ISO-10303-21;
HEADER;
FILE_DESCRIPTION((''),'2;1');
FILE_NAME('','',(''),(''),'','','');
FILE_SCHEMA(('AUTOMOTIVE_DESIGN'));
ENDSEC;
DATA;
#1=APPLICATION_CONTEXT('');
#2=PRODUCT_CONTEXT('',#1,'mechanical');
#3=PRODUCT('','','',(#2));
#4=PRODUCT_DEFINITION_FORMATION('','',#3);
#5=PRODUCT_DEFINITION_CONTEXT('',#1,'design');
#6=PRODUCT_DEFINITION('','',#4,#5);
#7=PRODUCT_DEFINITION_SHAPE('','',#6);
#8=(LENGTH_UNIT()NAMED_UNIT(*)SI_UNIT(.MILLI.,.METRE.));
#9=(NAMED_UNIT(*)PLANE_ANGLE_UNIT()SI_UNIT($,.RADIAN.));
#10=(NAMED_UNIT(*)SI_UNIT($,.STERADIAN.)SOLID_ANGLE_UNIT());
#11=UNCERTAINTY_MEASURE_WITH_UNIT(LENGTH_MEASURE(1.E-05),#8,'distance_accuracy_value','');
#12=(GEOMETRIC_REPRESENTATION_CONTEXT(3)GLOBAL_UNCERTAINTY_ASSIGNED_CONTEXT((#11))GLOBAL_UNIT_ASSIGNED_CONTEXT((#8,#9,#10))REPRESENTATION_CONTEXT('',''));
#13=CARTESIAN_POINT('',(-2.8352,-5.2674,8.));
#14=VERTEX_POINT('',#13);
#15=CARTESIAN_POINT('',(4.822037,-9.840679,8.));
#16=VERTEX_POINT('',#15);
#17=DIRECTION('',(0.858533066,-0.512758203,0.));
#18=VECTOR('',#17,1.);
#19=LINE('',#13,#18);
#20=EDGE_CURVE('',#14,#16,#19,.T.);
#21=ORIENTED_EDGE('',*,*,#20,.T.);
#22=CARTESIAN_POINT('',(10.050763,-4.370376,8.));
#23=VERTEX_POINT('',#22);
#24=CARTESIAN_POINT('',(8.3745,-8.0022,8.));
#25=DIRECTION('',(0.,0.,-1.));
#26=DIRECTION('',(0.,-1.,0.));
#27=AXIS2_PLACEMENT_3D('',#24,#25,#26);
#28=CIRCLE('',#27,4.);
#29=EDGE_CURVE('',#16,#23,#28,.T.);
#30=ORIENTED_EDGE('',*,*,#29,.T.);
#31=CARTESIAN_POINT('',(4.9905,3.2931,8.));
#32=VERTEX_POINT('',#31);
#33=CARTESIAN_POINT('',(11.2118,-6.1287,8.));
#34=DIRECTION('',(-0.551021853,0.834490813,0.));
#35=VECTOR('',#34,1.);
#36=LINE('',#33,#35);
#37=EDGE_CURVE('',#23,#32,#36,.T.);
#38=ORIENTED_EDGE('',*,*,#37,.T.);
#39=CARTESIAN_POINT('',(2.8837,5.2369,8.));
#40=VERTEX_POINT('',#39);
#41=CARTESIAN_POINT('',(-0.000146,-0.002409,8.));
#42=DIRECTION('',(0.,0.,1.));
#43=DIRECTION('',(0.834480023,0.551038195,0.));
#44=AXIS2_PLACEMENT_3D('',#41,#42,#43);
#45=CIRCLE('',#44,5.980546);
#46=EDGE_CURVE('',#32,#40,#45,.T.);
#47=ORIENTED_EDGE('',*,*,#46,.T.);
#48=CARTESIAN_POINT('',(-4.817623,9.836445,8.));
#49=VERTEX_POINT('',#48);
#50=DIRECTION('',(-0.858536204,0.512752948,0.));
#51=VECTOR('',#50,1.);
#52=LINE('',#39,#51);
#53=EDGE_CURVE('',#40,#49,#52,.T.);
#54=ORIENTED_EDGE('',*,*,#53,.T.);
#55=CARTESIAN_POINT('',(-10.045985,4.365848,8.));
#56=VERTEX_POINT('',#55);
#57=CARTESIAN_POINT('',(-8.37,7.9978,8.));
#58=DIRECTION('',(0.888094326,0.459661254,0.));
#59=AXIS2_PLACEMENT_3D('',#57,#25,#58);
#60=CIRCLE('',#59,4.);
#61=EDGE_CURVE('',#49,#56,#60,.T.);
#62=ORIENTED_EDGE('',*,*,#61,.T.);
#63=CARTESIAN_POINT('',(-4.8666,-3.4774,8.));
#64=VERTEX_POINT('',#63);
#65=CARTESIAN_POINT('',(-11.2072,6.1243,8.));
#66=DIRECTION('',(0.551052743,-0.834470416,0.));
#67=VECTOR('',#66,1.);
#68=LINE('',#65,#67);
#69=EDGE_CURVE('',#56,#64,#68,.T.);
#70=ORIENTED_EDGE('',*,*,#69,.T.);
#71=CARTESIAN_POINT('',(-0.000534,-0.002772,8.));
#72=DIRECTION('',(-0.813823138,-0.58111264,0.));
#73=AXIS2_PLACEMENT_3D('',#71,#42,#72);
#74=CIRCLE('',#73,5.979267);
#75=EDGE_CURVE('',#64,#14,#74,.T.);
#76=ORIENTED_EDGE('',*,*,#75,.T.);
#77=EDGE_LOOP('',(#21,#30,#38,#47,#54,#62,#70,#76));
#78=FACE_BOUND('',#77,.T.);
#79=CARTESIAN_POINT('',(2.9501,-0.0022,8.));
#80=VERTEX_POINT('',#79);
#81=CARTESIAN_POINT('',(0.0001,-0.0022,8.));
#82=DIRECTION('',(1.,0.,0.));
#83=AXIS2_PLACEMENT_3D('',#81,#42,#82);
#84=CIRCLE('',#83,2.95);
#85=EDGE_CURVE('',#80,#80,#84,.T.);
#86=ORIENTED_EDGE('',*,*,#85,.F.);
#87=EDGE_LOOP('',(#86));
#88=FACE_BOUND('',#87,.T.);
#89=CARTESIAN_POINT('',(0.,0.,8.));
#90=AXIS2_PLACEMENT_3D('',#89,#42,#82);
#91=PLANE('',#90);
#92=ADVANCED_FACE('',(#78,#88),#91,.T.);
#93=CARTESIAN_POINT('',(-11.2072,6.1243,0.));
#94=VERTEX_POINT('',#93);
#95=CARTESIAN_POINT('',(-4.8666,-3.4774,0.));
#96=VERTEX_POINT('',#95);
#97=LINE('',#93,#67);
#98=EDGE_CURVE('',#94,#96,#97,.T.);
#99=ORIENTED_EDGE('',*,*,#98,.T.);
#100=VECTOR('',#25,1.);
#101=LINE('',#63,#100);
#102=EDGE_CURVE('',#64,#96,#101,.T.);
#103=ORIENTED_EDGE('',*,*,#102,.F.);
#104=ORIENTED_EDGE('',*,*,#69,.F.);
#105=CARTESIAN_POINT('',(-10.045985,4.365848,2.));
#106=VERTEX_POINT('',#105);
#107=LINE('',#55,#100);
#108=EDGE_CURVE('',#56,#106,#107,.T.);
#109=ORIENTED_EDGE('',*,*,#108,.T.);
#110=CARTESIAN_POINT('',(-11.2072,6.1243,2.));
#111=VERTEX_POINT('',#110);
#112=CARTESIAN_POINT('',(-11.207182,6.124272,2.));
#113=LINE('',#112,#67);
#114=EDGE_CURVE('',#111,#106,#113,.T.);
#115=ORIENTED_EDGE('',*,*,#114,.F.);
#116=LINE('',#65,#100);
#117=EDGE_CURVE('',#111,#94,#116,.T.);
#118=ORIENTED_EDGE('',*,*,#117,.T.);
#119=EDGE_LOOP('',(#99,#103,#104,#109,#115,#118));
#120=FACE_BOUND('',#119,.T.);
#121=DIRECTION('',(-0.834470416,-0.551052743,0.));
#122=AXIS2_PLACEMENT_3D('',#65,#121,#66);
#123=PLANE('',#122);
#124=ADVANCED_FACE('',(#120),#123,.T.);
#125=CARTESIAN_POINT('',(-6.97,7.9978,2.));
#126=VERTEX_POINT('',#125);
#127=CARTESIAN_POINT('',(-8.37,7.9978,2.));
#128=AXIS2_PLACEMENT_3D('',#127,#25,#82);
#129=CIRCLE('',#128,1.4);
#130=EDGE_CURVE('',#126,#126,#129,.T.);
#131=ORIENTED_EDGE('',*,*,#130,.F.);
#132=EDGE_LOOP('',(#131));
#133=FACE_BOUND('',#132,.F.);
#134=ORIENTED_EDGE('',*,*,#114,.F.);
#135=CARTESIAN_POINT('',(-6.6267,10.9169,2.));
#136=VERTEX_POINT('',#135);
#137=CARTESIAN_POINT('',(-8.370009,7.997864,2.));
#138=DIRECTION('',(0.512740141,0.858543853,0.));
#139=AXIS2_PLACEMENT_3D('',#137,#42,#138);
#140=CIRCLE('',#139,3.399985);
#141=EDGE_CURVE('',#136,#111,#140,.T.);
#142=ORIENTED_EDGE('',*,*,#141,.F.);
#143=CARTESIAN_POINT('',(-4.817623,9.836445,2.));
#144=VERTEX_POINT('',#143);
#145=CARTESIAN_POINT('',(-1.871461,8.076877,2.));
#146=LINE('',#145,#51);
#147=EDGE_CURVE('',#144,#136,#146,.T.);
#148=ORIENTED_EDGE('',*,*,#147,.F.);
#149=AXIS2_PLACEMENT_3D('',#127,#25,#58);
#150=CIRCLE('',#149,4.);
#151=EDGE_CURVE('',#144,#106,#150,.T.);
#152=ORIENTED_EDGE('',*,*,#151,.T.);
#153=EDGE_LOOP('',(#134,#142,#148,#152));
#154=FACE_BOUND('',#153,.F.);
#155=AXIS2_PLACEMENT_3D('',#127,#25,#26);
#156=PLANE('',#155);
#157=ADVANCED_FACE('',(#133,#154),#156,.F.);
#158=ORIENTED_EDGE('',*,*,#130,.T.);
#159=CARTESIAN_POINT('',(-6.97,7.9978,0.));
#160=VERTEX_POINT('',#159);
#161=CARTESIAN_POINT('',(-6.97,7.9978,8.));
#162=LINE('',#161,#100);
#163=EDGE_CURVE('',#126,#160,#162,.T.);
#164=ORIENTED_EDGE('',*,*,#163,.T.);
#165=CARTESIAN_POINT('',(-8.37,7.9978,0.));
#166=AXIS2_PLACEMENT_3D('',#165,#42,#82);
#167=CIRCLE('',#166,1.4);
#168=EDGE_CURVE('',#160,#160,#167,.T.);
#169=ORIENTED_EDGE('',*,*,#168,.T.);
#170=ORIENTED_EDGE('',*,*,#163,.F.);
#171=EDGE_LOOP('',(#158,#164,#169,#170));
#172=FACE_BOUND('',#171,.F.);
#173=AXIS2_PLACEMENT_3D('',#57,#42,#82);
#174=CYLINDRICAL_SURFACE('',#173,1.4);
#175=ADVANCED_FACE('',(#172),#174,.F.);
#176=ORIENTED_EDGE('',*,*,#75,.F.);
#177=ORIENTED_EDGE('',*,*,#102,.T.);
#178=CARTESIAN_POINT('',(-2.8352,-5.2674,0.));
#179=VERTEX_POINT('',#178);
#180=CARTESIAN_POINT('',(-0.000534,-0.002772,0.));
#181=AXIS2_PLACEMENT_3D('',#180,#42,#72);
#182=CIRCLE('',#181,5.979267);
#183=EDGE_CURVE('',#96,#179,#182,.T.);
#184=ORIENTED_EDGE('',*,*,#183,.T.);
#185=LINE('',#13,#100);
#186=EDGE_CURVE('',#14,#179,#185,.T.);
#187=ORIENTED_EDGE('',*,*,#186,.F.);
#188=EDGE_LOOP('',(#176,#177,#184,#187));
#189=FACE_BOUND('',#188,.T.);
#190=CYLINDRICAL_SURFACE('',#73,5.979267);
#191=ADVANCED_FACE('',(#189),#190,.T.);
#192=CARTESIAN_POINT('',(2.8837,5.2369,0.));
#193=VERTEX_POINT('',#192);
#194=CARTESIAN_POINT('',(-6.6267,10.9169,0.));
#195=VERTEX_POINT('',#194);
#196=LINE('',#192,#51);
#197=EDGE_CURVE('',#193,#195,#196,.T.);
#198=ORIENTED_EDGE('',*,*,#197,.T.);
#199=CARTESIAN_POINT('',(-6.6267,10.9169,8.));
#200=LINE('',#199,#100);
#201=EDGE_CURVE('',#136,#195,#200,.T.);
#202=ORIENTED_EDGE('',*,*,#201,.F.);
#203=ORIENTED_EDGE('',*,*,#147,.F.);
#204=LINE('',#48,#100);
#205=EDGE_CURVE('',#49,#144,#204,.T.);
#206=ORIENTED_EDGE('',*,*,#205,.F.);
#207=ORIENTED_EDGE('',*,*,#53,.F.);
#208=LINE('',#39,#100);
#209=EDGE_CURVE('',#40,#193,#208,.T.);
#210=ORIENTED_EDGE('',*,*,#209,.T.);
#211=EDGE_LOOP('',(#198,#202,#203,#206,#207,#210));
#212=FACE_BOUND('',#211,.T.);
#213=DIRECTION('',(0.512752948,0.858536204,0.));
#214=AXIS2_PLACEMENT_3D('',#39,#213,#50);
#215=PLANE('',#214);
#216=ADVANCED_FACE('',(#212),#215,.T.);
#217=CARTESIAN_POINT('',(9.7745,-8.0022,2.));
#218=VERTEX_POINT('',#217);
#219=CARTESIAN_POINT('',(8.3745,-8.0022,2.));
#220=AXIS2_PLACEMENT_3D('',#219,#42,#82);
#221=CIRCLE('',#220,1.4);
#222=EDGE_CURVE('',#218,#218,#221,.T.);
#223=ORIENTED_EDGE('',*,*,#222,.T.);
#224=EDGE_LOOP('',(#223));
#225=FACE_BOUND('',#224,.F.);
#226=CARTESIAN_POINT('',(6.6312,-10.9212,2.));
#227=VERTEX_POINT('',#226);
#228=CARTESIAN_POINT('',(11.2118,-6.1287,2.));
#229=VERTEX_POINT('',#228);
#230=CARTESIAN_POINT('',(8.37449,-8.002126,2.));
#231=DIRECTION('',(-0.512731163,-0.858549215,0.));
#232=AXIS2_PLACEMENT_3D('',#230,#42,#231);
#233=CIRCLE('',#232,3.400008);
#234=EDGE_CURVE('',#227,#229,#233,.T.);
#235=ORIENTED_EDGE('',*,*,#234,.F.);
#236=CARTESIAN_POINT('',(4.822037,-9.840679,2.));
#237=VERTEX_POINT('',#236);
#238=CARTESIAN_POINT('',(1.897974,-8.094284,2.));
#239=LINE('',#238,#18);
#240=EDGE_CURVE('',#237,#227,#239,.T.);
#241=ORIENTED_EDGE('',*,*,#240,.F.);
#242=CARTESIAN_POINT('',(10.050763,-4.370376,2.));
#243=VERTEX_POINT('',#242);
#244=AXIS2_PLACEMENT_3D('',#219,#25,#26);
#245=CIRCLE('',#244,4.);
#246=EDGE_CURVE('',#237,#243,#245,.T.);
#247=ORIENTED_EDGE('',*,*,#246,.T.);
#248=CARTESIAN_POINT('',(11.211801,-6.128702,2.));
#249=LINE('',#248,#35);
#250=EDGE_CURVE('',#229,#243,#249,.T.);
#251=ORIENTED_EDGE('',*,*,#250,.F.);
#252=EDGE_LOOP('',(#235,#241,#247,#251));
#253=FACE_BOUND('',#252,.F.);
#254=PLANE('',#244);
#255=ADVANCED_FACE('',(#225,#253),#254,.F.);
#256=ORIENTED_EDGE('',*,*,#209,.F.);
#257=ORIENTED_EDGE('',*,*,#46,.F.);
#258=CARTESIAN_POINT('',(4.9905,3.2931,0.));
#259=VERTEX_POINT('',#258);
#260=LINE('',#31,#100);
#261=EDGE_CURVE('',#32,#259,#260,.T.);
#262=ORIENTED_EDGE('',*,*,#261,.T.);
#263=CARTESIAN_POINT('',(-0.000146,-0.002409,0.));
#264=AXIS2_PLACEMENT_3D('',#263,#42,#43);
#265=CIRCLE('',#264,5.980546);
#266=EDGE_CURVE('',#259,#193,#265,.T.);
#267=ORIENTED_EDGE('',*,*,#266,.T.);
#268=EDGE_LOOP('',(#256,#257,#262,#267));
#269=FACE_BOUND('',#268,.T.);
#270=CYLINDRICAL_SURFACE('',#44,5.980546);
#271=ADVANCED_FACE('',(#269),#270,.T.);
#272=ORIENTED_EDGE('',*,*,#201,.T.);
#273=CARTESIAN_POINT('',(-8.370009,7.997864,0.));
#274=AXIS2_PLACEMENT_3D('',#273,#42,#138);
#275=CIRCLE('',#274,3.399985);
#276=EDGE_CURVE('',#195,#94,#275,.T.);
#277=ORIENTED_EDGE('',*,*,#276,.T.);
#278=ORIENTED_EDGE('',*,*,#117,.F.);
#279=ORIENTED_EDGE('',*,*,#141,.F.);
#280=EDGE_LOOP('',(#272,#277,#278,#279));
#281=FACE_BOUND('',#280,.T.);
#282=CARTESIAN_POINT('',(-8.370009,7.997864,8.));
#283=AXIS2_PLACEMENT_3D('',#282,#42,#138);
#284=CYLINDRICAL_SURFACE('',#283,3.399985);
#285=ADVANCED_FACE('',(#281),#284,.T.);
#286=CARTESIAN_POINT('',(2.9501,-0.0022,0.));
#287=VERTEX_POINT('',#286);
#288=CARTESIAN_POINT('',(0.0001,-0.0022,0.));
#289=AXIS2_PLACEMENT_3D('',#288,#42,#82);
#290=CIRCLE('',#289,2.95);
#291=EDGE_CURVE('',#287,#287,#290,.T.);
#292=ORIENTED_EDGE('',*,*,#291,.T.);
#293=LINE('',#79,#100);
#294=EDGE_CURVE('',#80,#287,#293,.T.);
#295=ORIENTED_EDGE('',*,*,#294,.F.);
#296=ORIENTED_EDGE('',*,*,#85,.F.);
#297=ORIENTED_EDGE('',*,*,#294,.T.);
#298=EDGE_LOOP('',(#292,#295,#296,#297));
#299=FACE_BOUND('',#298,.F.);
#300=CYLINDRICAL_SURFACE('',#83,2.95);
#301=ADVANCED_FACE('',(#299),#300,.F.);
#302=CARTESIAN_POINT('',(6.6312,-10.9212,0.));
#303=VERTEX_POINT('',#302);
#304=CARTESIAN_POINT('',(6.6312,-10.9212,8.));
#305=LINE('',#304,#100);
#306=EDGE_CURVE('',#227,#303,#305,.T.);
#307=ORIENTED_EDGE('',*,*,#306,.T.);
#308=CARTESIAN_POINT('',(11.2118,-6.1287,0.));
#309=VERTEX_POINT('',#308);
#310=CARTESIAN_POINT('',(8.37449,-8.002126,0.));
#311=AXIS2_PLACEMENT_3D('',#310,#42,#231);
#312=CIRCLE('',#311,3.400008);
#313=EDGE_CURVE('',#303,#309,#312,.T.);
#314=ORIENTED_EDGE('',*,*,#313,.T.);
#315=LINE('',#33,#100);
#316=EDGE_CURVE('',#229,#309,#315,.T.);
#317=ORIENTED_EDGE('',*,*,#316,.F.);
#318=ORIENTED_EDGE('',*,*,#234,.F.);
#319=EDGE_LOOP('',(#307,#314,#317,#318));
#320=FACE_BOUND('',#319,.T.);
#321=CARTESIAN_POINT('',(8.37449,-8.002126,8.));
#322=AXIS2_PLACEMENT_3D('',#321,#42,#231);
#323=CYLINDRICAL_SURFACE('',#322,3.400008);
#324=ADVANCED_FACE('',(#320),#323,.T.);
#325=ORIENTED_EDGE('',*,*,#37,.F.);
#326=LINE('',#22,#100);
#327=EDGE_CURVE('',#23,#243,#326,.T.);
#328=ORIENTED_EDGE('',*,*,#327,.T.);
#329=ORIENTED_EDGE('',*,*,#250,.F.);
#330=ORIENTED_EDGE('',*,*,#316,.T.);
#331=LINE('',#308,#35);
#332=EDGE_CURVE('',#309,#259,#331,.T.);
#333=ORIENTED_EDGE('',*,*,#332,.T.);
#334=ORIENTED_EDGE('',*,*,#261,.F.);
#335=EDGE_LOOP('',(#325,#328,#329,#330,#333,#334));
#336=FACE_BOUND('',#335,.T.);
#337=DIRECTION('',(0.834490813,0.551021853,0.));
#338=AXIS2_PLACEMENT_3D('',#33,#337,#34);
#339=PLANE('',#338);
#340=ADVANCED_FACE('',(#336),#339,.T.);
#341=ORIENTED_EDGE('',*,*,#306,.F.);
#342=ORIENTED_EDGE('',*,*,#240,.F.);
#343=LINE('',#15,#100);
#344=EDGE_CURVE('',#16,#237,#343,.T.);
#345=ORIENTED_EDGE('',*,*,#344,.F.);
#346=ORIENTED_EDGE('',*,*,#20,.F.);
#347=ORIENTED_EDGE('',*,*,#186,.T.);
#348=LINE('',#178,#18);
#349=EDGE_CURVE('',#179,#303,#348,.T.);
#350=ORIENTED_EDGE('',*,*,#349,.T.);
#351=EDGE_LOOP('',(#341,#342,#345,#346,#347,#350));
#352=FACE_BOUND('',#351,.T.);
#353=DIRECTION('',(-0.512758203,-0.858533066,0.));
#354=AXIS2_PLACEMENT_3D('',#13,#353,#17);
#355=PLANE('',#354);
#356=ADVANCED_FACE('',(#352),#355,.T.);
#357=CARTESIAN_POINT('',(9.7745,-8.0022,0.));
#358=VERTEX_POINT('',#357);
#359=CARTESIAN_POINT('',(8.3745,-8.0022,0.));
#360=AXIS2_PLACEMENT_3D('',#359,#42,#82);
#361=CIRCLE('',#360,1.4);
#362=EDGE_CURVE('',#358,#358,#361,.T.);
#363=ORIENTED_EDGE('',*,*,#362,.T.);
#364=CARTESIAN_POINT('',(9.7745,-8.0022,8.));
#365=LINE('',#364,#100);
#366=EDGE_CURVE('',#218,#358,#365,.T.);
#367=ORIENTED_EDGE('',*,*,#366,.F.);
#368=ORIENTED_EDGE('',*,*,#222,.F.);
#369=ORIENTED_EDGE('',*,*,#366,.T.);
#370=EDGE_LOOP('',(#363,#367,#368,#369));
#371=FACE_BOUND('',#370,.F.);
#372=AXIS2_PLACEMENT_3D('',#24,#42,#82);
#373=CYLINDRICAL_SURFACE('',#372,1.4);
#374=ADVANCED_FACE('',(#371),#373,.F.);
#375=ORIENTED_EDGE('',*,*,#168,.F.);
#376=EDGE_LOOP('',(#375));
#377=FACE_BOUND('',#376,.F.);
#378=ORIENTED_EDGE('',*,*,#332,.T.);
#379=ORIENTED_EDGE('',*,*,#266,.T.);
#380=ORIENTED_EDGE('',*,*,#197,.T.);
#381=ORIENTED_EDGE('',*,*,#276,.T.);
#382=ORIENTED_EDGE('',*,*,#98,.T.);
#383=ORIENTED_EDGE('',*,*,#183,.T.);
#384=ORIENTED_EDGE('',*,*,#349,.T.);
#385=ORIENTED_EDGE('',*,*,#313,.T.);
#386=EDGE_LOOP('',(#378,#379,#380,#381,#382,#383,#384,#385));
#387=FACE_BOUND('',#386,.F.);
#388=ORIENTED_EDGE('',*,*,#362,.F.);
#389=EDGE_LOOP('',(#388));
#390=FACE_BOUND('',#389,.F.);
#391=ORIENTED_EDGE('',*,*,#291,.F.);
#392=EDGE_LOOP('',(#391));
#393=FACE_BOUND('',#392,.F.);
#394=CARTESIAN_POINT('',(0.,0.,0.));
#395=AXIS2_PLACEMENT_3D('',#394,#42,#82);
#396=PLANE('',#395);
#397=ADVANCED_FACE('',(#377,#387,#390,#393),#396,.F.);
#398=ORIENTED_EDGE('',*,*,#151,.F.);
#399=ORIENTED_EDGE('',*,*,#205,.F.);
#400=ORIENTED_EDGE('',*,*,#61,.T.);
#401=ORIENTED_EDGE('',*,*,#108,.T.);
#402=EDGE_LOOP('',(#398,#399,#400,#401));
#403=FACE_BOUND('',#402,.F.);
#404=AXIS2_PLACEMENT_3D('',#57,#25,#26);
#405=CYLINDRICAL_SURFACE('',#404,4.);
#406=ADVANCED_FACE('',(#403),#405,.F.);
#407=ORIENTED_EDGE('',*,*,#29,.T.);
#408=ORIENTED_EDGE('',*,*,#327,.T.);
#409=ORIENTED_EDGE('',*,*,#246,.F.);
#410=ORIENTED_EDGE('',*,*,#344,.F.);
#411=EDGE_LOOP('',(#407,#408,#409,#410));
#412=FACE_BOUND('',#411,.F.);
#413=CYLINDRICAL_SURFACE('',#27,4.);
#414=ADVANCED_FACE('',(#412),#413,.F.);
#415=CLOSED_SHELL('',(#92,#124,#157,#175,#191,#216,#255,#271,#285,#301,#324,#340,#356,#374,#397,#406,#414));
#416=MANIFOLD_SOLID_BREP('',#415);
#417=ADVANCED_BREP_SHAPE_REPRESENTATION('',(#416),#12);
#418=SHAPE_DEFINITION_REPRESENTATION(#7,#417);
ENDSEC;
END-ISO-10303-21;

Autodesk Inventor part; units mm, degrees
ref_plane "YZ Plane" through (0, 0, 0) normal (1, 0, 0) x (0, 1, 0)
ref_plane "XZ Plane" through (0, 0, 0) normal (0, 1, 0) x (-1, 0, 0)
ref_plane "XY Plane" through (0, 0, 0) normal (0, 0, 1) x (1, 0, 0)
sketch "Skizze1" plane through (0, 0, 0) normal (0, 0, 1) x (1, 0, 0)
  circle A0 centre (0.0001, -0.0022) radius 3.9802 projected
  circle A1 centre (-8.37, 7.9978) radius 1.4 projected
  circle A2 centre (8.3745, -8.0022) radius 1.4 projected
  line L0 (-9.5383, 7.2264) -> (-3.2198, -2.3418)
  line L1 (-7.6522, 9.1998) -> (1.8915, 3.4999)
  line L2 (9.5428, -7.2307) -> (3.3215, 2.191)
  line L3 (-1.8517, -3.5253) -> (7.6567, -9.2041)
  point P0 (0, 0)
extrude "Extrusion1" add sketch "Skizze1" along normal blind 8
sketch "Skizze2" plane through (0, 0, 8) normal (0, 0, 1) x (1, 0, 0)
  arc A0 (-7.6522, 9.1998) -> (-9.5383, 7.2264) centre (-8.37, 7.9978) ccw projected
  line L0 (-9.5383, 7.2264) -> (-3.2198, -2.3418) projected
  arc A1 (-3.2198, -2.3418) -> (-1.8517, -3.5253) centre (0.0001, -0.0022) ccw projected
  line L1 (-1.8517, -3.5253) -> (7.6567, -9.2041) projected
  arc A2 (7.6567, -9.2041) -> (9.5428, -7.2307) centre (8.3745, -8.0022) ccw projected
  line L2 (9.5428, -7.2307) -> (3.3215, 2.191) projected
  arc A3 (3.3215, 2.191) -> (1.8915, 3.4999) centre (0.0001, -0.0022) ccw projected
  line L3 (1.8915, 3.4999) -> (-7.6522, 9.1998) projected
  arc A4 (-6.6267, 10.9169) -> (-11.2072, 6.1243) centre (-8.37, 7.9978) ccw
  line L4 (-11.2072, 6.1243) -> (-4.8666, -3.4774)
  arc A5 (-4.8666, -3.4774) -> (-2.8352, -5.2674) centre (0.0001, -0.0022) ccw
  line L5 (-2.8352, -5.2674) -> (6.6312, -10.9212)
  arc A6 (6.6312, -10.9212) -> (11.2118, -6.1287) centre (8.3745, -8.0022) ccw
  line L6 (11.2118, -6.1287) -> (4.9905, 3.2931)
  arc A7 (4.9905, 3.2931) -> (2.8837, 5.2369) centre (0.0001, -0.0022) ccw
  line L7 (2.8837, 5.2369) -> (-6.6267, 10.9169)
  point P0 (0, 0)
  dimension "d2" = 2
extrude "Extrusion2" add sketch "Skizze2" against normal up to surface (8 mm away)
sketch "Skizze3" plane through (0, 0, 8) normal (0, 0, 1) x (1, 0, 0)
  circle A0 centre (0.0001, -0.0022) radius 3.9802 projected
  circle A1 centre (-8.37, 7.9978) radius 1.4 projected
  circle A2 centre (8.3745, -8.0022) radius 1.4 projected
  circle A3 centre (0.0001, -0.0022) radius 2.95
  point P0 (0, 0)
  dimension "d5" = 5.9
extrude "Extrusion3" cut sketch "Skizze3" against normal through all contours A1 | A2 | A3
sketch "Skizze4" plane through (0, 0, 8) normal (0, 0, 1) x (1, 0, 0)
  circle A0 centre (-8.37, 7.9978) radius 1.4 projected
  circle A1 centre (8.3745, -8.0022) radius 1.4 projected
  point P0 (0, 0)
hole "Bohrung1" at (-8.37, 7.9978, 8) at (8.3745, -8.0022, 8) direction (0, 0, -1) diameter 2.8 end through all counterbore diameter 8 counterbore depth 6
properties part number "IM_Lensholder_small"
